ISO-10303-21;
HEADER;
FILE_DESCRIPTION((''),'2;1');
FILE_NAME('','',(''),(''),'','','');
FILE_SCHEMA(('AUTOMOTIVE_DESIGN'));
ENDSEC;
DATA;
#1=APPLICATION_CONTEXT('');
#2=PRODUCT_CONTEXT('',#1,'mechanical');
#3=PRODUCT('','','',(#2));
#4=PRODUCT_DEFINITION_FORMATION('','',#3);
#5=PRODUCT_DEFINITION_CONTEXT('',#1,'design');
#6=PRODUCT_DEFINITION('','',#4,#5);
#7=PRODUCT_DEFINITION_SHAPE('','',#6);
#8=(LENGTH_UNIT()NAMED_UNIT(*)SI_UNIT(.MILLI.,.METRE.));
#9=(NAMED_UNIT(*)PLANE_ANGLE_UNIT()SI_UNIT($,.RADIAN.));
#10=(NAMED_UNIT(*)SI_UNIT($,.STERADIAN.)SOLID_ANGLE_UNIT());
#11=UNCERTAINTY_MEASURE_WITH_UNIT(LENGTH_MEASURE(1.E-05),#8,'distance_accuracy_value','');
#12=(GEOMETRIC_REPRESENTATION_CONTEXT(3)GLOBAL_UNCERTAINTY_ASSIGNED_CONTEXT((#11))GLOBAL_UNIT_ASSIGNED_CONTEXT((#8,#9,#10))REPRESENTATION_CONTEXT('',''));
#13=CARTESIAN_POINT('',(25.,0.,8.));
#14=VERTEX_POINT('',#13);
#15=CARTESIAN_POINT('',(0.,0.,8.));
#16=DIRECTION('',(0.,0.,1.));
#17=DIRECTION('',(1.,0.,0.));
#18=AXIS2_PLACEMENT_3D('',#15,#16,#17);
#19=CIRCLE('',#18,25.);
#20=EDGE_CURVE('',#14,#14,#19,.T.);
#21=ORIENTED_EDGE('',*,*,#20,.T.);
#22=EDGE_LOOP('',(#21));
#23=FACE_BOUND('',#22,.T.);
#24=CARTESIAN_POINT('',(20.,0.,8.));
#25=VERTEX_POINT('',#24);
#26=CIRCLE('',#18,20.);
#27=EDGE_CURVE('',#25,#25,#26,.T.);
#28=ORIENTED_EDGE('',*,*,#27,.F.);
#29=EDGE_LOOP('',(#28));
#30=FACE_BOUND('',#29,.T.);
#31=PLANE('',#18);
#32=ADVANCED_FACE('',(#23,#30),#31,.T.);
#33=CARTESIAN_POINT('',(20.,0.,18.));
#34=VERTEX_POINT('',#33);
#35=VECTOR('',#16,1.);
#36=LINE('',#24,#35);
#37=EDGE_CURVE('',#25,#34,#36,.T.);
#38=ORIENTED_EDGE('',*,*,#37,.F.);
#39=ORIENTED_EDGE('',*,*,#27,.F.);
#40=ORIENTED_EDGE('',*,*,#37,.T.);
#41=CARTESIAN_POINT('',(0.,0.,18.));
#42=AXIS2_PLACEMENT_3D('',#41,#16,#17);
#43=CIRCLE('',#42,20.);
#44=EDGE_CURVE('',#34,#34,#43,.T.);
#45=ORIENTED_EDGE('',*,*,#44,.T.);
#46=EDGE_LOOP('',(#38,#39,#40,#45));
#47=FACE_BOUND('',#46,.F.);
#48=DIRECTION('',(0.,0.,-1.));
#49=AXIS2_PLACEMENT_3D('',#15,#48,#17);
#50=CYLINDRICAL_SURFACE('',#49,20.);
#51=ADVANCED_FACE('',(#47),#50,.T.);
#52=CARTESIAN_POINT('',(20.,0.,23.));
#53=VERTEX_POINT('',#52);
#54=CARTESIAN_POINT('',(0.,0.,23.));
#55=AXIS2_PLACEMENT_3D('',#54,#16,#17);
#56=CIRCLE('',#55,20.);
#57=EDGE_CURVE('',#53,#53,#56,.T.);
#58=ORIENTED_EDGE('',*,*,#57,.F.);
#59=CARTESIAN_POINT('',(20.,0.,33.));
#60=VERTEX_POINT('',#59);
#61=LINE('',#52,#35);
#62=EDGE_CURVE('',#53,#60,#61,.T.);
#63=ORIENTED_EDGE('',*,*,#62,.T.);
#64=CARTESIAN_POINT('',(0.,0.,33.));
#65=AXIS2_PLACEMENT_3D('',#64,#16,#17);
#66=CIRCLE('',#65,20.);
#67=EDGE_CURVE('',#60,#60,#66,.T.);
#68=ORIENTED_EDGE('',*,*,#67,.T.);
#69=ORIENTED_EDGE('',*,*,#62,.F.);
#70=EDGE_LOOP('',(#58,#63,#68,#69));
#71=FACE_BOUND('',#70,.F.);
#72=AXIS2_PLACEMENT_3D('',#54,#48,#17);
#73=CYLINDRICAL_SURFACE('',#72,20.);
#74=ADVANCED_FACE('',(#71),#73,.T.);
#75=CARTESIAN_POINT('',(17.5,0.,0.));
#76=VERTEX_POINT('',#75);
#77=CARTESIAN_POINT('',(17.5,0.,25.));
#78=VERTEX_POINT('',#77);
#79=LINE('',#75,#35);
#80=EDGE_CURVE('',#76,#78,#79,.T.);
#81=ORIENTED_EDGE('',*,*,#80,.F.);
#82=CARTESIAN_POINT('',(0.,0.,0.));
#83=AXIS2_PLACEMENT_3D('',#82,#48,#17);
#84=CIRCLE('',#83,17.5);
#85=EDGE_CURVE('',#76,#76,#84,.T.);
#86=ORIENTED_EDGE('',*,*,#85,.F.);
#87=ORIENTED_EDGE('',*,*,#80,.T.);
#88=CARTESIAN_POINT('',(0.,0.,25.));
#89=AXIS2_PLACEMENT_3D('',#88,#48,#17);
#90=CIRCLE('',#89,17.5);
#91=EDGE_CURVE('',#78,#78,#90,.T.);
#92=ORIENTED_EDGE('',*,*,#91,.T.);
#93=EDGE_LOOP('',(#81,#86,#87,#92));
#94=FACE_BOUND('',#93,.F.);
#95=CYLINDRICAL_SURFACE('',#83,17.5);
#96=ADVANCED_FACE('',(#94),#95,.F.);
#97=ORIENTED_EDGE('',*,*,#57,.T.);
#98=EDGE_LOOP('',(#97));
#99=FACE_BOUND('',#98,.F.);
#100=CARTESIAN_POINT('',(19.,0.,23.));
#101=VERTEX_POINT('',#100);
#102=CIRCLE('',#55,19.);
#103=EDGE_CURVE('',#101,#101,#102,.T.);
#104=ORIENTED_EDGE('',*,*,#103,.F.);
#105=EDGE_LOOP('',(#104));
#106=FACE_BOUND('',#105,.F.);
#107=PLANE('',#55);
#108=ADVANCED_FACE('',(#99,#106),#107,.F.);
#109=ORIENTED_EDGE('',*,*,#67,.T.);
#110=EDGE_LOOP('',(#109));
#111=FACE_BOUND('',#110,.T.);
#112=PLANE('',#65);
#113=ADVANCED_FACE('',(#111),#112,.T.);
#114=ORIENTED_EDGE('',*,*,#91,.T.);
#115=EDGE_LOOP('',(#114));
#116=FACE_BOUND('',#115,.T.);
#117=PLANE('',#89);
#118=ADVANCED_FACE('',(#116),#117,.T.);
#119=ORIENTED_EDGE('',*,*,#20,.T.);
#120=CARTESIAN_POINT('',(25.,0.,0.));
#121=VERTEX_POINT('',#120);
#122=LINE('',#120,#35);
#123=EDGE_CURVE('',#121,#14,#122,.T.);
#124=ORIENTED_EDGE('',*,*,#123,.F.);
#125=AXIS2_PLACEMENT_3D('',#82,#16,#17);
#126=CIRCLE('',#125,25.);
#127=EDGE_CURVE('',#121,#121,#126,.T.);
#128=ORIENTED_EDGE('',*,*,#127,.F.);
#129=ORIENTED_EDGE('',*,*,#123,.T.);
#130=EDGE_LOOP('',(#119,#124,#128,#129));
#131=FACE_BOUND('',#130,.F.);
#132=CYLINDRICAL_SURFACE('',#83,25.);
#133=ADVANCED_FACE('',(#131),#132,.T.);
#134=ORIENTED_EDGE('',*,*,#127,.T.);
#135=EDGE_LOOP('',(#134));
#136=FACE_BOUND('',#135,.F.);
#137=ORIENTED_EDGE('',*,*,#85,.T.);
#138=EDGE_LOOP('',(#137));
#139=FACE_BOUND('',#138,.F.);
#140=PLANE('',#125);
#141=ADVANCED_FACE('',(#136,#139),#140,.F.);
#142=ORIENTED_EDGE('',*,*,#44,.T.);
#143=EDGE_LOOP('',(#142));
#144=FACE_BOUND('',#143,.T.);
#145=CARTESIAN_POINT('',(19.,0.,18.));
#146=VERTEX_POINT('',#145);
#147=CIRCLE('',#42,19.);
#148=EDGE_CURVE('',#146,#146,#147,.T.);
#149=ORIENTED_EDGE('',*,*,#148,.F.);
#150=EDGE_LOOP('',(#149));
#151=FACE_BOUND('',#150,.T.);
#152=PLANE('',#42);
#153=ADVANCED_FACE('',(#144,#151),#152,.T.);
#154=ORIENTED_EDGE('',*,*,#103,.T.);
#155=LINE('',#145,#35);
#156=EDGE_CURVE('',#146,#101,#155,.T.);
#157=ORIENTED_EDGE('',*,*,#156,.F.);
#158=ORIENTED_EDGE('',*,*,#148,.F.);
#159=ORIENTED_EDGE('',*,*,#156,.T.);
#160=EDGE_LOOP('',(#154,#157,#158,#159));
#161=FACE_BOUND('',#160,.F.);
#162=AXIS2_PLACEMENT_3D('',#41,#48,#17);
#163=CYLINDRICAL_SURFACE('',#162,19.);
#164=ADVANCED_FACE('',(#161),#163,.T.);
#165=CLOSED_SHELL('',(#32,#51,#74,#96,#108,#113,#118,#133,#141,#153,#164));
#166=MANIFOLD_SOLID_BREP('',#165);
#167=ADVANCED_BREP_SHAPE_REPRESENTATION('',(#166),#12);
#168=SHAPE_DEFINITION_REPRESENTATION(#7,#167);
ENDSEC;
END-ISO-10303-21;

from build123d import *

# Parameters (mm, degrees)
F0_R     = 25
F1_DEPTH = 8
F2_R     = 20
F3_DEPTH = 10
F4_R     = 19
F5_DEPTH = 5
F6_R     = 20
F7_DEPTH = 10
F8_R     = 17.5
F9_DEPTH = 25


with BuildPart() as f1:
    # F0 (on Top) → F1 (new body)
    with BuildSketch(Plane.XY):
        Circle(F0_R)
    extrude(amount=F1_DEPTH)



with BuildPart() as f3:
    # F2 (on face) → F3 (new body)
    with BuildSketch(Plane.XY.offset(23)):
        Circle(F2_R)
    extrude(amount=F3_DEPTH)

    # F4 (on face) → F5 (join)
    with BuildSketch(Plane.XY.offset(18)):
        Circle(F4_R)
    extrude(amount=F5_DEPTH)


with BuildPart() as f1_1:
    add(f1.part)

    add(f3.part)  # F7 merges F3
    # F6 (on face) → F7 (join)
    with BuildSketch(Plane.XY.offset(8)):
        Circle(F6_R)
    extrude(amount=F7_DEPTH)

    # F8 (on face) → F9 (cut)
    with BuildSketch(Plane(origin=(0, 0, 0), x_dir=(1, 0, 0), z_dir=(0, 0, -1))):
        Circle(F8_R)
    extrude(amount=-F9_DEPTH, mode=Mode.SUBTRACT)


solid = f1_1.part
